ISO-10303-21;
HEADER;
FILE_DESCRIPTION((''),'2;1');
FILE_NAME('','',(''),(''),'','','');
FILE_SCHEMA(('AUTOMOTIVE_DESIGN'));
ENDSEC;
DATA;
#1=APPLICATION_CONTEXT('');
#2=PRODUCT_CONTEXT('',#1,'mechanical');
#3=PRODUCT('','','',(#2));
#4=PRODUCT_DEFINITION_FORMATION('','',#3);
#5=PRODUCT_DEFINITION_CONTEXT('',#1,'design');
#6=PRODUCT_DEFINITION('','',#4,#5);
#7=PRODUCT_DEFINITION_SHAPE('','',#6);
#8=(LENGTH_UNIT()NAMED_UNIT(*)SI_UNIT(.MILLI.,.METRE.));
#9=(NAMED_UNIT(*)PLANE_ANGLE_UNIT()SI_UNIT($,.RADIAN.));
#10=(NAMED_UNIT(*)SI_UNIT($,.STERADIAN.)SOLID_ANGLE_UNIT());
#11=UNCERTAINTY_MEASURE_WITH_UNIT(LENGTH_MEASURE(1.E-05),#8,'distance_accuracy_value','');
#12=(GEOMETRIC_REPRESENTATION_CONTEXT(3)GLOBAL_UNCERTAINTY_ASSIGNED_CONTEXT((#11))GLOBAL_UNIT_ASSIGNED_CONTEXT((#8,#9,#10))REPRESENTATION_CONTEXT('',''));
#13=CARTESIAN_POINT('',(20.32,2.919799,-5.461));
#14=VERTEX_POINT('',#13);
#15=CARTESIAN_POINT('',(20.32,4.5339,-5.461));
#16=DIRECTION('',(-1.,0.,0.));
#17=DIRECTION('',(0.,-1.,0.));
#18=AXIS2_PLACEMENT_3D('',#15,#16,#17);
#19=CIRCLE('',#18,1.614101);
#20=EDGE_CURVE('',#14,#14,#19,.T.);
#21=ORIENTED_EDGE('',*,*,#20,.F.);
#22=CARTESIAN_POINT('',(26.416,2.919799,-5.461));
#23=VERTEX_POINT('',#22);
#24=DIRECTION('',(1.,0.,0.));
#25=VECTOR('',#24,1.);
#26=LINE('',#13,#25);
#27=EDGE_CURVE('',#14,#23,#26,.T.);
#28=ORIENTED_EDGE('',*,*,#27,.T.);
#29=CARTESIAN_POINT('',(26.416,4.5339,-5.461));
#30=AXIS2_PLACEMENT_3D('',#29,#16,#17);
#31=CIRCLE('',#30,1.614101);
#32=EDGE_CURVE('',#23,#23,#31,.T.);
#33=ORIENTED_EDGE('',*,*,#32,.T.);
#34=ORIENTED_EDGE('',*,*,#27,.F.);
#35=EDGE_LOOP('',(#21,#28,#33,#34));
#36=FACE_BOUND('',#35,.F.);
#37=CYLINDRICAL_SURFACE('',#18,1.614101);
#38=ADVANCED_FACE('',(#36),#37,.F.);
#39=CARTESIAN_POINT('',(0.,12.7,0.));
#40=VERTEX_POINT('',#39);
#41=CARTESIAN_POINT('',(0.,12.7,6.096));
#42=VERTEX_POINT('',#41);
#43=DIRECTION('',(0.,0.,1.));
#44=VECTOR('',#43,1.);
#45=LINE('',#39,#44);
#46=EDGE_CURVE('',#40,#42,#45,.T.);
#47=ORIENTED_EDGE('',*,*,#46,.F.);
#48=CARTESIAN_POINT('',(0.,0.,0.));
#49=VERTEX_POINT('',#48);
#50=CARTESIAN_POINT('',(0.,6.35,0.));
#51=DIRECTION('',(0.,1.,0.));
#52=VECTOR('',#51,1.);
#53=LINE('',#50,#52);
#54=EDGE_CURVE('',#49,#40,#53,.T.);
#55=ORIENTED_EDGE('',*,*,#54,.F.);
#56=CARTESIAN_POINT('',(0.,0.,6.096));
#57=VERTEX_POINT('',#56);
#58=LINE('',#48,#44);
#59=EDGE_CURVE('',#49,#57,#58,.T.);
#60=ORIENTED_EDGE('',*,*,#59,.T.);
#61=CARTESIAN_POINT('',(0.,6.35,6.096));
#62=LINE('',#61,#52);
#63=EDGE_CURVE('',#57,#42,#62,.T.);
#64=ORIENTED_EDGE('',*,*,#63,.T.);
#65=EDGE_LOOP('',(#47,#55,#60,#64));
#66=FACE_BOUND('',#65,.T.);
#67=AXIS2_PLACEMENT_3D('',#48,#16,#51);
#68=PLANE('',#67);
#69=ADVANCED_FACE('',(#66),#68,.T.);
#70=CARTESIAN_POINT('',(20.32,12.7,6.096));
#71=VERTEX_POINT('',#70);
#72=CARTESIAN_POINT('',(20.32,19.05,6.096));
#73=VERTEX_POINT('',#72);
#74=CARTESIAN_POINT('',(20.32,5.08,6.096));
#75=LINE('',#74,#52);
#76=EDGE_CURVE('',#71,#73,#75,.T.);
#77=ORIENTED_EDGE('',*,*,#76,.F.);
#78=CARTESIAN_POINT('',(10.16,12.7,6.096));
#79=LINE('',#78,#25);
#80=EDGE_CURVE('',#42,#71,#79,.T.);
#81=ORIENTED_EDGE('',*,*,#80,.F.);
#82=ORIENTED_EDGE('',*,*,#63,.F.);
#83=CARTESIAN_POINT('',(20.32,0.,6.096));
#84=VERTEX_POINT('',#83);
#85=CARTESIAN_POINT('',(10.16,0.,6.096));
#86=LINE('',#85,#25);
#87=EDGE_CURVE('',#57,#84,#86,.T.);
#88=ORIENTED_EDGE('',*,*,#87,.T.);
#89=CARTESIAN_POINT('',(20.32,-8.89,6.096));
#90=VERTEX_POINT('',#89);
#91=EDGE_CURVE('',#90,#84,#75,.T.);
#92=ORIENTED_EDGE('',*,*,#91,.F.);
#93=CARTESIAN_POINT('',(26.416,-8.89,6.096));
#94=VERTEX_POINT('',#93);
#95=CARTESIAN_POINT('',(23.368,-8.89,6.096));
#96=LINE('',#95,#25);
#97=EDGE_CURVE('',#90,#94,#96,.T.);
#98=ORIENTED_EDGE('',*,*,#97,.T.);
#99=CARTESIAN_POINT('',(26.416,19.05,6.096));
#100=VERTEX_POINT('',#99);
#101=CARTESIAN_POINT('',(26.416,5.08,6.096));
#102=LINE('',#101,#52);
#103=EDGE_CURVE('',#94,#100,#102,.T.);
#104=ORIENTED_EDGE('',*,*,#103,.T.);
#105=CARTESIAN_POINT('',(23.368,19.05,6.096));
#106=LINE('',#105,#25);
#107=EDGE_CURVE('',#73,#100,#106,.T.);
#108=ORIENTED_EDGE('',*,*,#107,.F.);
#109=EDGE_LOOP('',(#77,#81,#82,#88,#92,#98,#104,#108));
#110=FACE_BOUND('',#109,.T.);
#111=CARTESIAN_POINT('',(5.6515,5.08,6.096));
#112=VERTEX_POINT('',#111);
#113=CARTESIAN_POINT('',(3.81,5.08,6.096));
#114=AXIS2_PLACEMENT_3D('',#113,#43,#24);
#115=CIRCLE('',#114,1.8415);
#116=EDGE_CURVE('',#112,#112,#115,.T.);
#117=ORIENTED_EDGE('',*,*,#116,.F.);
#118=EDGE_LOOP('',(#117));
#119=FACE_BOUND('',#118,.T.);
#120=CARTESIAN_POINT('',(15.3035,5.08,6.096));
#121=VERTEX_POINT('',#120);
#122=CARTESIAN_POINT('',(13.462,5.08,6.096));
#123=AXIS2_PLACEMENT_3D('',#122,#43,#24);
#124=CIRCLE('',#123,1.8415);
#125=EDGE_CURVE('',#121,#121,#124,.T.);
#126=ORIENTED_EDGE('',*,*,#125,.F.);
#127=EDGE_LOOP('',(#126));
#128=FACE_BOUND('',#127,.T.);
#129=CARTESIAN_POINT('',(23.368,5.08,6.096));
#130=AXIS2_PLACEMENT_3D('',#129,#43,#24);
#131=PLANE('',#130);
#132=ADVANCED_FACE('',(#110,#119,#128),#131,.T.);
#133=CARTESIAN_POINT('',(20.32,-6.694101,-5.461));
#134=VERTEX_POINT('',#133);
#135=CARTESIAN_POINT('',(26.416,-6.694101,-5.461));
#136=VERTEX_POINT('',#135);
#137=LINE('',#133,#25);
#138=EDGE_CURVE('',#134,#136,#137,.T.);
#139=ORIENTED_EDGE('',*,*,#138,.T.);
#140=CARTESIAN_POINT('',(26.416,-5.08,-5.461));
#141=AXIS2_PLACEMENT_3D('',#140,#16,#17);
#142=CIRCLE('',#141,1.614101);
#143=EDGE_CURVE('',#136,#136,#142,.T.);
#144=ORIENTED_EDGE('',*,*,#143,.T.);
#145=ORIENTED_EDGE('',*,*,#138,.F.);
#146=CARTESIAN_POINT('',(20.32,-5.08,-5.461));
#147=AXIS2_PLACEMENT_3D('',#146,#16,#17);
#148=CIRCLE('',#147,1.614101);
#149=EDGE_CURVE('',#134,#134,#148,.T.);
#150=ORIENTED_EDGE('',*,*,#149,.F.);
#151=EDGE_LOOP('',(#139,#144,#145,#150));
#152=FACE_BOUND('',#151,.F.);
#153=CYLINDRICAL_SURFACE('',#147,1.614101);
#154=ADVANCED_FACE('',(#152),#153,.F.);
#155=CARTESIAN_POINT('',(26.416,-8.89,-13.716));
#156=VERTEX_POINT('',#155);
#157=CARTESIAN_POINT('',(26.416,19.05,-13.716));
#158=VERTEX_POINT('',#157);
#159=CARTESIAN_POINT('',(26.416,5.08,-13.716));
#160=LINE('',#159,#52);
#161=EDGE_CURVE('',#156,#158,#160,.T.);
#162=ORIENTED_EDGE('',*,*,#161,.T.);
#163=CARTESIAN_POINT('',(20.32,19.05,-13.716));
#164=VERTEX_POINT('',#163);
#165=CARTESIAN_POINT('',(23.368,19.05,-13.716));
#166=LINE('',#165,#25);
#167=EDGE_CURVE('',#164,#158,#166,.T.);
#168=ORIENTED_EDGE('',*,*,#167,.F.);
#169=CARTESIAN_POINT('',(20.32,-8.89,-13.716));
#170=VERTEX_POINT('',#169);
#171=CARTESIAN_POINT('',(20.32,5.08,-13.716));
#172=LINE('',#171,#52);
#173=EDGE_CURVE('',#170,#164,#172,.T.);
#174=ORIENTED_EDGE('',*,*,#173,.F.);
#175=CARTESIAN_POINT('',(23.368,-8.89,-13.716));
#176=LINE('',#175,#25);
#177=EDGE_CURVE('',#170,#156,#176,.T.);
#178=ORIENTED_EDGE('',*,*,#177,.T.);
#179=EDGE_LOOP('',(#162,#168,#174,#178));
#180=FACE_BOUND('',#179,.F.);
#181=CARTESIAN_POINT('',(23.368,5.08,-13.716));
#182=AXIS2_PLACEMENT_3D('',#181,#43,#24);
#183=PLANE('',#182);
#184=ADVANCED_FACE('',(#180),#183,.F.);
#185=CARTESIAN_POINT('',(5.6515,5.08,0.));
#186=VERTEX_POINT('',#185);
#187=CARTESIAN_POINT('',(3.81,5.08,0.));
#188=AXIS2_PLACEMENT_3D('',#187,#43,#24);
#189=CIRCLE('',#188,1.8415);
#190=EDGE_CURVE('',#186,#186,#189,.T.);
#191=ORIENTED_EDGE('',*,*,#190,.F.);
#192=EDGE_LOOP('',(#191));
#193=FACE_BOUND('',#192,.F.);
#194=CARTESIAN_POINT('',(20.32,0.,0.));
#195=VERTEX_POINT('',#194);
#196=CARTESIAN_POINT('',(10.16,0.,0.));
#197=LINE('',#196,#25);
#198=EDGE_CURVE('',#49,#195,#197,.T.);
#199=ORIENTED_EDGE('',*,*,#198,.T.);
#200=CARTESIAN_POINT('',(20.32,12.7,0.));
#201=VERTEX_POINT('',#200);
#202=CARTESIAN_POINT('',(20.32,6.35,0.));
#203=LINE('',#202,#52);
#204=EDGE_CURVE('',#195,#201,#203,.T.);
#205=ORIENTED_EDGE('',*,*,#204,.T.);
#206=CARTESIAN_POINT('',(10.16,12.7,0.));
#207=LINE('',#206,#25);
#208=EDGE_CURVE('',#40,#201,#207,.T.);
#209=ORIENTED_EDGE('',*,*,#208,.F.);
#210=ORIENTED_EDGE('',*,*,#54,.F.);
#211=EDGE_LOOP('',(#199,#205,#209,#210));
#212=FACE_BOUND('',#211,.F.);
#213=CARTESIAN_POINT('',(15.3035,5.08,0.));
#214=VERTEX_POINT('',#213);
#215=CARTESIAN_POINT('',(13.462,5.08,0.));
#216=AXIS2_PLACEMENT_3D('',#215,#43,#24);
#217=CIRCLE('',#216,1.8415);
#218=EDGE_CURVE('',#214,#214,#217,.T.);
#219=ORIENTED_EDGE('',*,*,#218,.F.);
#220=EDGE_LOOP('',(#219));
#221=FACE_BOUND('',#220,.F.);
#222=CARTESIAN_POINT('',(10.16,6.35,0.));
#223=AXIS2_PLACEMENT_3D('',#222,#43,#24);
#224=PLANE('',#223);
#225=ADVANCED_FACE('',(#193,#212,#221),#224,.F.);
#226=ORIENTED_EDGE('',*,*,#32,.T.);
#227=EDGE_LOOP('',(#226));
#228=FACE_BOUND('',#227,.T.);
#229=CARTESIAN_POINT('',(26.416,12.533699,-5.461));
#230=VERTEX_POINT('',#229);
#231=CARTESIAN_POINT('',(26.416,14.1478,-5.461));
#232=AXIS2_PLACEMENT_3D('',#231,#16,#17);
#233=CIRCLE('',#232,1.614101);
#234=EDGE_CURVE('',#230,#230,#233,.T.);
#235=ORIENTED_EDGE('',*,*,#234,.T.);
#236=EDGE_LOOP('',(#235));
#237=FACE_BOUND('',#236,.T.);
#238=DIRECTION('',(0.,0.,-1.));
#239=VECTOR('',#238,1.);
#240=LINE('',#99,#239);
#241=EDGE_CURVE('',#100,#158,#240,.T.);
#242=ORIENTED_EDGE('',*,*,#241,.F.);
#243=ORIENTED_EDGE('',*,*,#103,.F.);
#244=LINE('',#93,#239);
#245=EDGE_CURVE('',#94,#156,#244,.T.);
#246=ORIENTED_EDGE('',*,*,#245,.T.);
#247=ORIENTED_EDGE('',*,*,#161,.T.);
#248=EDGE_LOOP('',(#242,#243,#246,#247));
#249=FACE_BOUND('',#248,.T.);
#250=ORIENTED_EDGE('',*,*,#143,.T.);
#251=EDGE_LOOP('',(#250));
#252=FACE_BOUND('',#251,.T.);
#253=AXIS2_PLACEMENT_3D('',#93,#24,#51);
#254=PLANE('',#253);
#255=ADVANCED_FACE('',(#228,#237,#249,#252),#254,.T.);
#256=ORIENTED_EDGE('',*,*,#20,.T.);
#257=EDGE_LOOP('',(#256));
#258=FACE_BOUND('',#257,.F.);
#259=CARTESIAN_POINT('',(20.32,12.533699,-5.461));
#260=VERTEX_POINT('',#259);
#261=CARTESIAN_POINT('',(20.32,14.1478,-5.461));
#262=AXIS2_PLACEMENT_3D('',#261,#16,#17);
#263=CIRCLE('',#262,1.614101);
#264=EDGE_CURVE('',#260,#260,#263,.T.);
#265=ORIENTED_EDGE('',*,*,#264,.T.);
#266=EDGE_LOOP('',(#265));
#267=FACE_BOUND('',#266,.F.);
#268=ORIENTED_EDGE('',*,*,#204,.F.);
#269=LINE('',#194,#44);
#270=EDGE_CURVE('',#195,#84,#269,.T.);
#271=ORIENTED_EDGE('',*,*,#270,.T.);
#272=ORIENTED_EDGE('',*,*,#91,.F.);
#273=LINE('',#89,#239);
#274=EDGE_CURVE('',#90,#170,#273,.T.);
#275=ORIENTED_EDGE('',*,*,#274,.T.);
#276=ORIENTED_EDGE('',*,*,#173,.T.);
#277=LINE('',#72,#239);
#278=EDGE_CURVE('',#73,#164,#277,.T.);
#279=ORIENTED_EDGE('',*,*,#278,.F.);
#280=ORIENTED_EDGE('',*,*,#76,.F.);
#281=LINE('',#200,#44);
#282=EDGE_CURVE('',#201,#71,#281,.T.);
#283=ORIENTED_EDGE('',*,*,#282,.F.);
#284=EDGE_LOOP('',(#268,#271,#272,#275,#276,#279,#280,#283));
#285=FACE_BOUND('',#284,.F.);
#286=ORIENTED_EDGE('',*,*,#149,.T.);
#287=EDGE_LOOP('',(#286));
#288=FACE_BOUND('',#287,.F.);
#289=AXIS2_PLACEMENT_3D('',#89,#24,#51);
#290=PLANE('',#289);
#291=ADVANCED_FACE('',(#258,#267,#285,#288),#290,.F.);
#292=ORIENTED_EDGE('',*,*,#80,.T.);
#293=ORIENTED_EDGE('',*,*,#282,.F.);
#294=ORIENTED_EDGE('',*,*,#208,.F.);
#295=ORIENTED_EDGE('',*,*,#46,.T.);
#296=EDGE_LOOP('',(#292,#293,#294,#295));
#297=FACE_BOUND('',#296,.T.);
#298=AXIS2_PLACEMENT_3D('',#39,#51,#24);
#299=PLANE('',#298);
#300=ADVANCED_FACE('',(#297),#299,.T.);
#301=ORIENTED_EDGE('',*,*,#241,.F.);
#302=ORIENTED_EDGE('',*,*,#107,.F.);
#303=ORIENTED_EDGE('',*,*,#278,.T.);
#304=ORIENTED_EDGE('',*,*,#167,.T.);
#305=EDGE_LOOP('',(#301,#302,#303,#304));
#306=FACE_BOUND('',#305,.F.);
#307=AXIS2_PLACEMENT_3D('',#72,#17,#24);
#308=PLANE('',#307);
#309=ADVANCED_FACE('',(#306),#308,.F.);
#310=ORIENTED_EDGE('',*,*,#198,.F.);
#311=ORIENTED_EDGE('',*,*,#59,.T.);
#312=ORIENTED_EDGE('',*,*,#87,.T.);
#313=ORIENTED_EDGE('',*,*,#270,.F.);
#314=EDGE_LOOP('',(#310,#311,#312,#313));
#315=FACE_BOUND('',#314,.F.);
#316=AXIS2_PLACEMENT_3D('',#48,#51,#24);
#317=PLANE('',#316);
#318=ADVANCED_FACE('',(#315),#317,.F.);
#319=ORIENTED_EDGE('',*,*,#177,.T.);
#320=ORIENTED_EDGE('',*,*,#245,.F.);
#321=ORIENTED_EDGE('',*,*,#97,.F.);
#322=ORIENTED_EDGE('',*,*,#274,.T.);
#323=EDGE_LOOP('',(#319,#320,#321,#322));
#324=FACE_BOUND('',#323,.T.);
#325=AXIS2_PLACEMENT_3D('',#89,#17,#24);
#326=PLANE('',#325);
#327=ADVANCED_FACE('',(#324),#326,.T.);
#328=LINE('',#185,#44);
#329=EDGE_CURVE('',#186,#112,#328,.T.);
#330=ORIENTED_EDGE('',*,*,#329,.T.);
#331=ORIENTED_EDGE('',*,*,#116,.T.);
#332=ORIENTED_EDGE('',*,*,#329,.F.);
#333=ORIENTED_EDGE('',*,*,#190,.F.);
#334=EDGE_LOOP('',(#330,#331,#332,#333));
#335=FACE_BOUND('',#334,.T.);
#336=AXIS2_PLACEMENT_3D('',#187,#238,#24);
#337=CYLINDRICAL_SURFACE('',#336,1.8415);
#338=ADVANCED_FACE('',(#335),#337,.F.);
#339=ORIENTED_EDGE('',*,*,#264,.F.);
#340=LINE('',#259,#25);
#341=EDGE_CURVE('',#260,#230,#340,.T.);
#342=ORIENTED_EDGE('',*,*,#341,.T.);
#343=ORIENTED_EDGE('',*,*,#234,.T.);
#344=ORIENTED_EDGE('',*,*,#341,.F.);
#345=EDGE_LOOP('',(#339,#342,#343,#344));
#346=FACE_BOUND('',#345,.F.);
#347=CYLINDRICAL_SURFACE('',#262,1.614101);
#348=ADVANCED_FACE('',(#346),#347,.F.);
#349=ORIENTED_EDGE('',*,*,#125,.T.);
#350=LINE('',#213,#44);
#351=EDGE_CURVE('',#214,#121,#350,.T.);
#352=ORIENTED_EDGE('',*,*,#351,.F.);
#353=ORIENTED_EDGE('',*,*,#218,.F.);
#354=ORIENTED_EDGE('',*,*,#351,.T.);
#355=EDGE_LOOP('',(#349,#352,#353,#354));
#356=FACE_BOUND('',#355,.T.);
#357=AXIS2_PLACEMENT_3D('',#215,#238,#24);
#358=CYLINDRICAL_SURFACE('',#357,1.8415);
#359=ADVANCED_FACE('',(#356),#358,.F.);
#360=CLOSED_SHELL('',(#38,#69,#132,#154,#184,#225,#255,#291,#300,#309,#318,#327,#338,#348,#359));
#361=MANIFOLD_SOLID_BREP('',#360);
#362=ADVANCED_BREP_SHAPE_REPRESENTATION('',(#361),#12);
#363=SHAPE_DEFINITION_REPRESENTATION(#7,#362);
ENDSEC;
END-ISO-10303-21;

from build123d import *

# Parameters (mm, degrees)
F0_W     = 20.32
F0_H     = 12.7
F0_R     = 1.8415
F1_DEPTH = 6.096
F2_W     = 6.096
F2_H     = 27.94
F3_DEPTH = 19.812
F4_R     = 1.614101
F5_DEPTH = 25.4


with BuildPart() as f1:
    # F0 (on Top) → F1 (new body)
    with BuildSketch(Plane.XY):
        with Locations((10.16, 6.35)):
            Rectangle(F0_W, F0_H)
        with Locations((3.81, 5.08)):
            Circle(F0_R, mode=Mode.SUBTRACT)
        with Locations((13.462, 5.08)):
            Circle(F0_R, mode=Mode.SUBTRACT)
    extrude(amount=F1_DEPTH)

    # F2 (on face) → F3 (join)
    with BuildSketch(Plane.XY.offset(6.096)):
        with Locations((23.368, 5.08)):
            Rectangle(F2_W, F2_H)
    extrude(amount=-F3_DEPTH)

    # F4 (on face) → F5 (cut)
    with BuildSketch(Plane(origin=(20.32, 0, 0), x_dir=(0, -1, 0), z_dir=(-1, 0, 0))):
        with Locations((5.08, -5.461)):
            Circle(F4_R)
        with Locations((-4.5339, -5.461)):
            Circle(F4_R)
        with Locations((-14.1478, -5.461)):
            Circle(F4_R)
    extrude(amount=-F5_DEPTH, mode=Mode.SUBTRACT)


solid = f1.part
